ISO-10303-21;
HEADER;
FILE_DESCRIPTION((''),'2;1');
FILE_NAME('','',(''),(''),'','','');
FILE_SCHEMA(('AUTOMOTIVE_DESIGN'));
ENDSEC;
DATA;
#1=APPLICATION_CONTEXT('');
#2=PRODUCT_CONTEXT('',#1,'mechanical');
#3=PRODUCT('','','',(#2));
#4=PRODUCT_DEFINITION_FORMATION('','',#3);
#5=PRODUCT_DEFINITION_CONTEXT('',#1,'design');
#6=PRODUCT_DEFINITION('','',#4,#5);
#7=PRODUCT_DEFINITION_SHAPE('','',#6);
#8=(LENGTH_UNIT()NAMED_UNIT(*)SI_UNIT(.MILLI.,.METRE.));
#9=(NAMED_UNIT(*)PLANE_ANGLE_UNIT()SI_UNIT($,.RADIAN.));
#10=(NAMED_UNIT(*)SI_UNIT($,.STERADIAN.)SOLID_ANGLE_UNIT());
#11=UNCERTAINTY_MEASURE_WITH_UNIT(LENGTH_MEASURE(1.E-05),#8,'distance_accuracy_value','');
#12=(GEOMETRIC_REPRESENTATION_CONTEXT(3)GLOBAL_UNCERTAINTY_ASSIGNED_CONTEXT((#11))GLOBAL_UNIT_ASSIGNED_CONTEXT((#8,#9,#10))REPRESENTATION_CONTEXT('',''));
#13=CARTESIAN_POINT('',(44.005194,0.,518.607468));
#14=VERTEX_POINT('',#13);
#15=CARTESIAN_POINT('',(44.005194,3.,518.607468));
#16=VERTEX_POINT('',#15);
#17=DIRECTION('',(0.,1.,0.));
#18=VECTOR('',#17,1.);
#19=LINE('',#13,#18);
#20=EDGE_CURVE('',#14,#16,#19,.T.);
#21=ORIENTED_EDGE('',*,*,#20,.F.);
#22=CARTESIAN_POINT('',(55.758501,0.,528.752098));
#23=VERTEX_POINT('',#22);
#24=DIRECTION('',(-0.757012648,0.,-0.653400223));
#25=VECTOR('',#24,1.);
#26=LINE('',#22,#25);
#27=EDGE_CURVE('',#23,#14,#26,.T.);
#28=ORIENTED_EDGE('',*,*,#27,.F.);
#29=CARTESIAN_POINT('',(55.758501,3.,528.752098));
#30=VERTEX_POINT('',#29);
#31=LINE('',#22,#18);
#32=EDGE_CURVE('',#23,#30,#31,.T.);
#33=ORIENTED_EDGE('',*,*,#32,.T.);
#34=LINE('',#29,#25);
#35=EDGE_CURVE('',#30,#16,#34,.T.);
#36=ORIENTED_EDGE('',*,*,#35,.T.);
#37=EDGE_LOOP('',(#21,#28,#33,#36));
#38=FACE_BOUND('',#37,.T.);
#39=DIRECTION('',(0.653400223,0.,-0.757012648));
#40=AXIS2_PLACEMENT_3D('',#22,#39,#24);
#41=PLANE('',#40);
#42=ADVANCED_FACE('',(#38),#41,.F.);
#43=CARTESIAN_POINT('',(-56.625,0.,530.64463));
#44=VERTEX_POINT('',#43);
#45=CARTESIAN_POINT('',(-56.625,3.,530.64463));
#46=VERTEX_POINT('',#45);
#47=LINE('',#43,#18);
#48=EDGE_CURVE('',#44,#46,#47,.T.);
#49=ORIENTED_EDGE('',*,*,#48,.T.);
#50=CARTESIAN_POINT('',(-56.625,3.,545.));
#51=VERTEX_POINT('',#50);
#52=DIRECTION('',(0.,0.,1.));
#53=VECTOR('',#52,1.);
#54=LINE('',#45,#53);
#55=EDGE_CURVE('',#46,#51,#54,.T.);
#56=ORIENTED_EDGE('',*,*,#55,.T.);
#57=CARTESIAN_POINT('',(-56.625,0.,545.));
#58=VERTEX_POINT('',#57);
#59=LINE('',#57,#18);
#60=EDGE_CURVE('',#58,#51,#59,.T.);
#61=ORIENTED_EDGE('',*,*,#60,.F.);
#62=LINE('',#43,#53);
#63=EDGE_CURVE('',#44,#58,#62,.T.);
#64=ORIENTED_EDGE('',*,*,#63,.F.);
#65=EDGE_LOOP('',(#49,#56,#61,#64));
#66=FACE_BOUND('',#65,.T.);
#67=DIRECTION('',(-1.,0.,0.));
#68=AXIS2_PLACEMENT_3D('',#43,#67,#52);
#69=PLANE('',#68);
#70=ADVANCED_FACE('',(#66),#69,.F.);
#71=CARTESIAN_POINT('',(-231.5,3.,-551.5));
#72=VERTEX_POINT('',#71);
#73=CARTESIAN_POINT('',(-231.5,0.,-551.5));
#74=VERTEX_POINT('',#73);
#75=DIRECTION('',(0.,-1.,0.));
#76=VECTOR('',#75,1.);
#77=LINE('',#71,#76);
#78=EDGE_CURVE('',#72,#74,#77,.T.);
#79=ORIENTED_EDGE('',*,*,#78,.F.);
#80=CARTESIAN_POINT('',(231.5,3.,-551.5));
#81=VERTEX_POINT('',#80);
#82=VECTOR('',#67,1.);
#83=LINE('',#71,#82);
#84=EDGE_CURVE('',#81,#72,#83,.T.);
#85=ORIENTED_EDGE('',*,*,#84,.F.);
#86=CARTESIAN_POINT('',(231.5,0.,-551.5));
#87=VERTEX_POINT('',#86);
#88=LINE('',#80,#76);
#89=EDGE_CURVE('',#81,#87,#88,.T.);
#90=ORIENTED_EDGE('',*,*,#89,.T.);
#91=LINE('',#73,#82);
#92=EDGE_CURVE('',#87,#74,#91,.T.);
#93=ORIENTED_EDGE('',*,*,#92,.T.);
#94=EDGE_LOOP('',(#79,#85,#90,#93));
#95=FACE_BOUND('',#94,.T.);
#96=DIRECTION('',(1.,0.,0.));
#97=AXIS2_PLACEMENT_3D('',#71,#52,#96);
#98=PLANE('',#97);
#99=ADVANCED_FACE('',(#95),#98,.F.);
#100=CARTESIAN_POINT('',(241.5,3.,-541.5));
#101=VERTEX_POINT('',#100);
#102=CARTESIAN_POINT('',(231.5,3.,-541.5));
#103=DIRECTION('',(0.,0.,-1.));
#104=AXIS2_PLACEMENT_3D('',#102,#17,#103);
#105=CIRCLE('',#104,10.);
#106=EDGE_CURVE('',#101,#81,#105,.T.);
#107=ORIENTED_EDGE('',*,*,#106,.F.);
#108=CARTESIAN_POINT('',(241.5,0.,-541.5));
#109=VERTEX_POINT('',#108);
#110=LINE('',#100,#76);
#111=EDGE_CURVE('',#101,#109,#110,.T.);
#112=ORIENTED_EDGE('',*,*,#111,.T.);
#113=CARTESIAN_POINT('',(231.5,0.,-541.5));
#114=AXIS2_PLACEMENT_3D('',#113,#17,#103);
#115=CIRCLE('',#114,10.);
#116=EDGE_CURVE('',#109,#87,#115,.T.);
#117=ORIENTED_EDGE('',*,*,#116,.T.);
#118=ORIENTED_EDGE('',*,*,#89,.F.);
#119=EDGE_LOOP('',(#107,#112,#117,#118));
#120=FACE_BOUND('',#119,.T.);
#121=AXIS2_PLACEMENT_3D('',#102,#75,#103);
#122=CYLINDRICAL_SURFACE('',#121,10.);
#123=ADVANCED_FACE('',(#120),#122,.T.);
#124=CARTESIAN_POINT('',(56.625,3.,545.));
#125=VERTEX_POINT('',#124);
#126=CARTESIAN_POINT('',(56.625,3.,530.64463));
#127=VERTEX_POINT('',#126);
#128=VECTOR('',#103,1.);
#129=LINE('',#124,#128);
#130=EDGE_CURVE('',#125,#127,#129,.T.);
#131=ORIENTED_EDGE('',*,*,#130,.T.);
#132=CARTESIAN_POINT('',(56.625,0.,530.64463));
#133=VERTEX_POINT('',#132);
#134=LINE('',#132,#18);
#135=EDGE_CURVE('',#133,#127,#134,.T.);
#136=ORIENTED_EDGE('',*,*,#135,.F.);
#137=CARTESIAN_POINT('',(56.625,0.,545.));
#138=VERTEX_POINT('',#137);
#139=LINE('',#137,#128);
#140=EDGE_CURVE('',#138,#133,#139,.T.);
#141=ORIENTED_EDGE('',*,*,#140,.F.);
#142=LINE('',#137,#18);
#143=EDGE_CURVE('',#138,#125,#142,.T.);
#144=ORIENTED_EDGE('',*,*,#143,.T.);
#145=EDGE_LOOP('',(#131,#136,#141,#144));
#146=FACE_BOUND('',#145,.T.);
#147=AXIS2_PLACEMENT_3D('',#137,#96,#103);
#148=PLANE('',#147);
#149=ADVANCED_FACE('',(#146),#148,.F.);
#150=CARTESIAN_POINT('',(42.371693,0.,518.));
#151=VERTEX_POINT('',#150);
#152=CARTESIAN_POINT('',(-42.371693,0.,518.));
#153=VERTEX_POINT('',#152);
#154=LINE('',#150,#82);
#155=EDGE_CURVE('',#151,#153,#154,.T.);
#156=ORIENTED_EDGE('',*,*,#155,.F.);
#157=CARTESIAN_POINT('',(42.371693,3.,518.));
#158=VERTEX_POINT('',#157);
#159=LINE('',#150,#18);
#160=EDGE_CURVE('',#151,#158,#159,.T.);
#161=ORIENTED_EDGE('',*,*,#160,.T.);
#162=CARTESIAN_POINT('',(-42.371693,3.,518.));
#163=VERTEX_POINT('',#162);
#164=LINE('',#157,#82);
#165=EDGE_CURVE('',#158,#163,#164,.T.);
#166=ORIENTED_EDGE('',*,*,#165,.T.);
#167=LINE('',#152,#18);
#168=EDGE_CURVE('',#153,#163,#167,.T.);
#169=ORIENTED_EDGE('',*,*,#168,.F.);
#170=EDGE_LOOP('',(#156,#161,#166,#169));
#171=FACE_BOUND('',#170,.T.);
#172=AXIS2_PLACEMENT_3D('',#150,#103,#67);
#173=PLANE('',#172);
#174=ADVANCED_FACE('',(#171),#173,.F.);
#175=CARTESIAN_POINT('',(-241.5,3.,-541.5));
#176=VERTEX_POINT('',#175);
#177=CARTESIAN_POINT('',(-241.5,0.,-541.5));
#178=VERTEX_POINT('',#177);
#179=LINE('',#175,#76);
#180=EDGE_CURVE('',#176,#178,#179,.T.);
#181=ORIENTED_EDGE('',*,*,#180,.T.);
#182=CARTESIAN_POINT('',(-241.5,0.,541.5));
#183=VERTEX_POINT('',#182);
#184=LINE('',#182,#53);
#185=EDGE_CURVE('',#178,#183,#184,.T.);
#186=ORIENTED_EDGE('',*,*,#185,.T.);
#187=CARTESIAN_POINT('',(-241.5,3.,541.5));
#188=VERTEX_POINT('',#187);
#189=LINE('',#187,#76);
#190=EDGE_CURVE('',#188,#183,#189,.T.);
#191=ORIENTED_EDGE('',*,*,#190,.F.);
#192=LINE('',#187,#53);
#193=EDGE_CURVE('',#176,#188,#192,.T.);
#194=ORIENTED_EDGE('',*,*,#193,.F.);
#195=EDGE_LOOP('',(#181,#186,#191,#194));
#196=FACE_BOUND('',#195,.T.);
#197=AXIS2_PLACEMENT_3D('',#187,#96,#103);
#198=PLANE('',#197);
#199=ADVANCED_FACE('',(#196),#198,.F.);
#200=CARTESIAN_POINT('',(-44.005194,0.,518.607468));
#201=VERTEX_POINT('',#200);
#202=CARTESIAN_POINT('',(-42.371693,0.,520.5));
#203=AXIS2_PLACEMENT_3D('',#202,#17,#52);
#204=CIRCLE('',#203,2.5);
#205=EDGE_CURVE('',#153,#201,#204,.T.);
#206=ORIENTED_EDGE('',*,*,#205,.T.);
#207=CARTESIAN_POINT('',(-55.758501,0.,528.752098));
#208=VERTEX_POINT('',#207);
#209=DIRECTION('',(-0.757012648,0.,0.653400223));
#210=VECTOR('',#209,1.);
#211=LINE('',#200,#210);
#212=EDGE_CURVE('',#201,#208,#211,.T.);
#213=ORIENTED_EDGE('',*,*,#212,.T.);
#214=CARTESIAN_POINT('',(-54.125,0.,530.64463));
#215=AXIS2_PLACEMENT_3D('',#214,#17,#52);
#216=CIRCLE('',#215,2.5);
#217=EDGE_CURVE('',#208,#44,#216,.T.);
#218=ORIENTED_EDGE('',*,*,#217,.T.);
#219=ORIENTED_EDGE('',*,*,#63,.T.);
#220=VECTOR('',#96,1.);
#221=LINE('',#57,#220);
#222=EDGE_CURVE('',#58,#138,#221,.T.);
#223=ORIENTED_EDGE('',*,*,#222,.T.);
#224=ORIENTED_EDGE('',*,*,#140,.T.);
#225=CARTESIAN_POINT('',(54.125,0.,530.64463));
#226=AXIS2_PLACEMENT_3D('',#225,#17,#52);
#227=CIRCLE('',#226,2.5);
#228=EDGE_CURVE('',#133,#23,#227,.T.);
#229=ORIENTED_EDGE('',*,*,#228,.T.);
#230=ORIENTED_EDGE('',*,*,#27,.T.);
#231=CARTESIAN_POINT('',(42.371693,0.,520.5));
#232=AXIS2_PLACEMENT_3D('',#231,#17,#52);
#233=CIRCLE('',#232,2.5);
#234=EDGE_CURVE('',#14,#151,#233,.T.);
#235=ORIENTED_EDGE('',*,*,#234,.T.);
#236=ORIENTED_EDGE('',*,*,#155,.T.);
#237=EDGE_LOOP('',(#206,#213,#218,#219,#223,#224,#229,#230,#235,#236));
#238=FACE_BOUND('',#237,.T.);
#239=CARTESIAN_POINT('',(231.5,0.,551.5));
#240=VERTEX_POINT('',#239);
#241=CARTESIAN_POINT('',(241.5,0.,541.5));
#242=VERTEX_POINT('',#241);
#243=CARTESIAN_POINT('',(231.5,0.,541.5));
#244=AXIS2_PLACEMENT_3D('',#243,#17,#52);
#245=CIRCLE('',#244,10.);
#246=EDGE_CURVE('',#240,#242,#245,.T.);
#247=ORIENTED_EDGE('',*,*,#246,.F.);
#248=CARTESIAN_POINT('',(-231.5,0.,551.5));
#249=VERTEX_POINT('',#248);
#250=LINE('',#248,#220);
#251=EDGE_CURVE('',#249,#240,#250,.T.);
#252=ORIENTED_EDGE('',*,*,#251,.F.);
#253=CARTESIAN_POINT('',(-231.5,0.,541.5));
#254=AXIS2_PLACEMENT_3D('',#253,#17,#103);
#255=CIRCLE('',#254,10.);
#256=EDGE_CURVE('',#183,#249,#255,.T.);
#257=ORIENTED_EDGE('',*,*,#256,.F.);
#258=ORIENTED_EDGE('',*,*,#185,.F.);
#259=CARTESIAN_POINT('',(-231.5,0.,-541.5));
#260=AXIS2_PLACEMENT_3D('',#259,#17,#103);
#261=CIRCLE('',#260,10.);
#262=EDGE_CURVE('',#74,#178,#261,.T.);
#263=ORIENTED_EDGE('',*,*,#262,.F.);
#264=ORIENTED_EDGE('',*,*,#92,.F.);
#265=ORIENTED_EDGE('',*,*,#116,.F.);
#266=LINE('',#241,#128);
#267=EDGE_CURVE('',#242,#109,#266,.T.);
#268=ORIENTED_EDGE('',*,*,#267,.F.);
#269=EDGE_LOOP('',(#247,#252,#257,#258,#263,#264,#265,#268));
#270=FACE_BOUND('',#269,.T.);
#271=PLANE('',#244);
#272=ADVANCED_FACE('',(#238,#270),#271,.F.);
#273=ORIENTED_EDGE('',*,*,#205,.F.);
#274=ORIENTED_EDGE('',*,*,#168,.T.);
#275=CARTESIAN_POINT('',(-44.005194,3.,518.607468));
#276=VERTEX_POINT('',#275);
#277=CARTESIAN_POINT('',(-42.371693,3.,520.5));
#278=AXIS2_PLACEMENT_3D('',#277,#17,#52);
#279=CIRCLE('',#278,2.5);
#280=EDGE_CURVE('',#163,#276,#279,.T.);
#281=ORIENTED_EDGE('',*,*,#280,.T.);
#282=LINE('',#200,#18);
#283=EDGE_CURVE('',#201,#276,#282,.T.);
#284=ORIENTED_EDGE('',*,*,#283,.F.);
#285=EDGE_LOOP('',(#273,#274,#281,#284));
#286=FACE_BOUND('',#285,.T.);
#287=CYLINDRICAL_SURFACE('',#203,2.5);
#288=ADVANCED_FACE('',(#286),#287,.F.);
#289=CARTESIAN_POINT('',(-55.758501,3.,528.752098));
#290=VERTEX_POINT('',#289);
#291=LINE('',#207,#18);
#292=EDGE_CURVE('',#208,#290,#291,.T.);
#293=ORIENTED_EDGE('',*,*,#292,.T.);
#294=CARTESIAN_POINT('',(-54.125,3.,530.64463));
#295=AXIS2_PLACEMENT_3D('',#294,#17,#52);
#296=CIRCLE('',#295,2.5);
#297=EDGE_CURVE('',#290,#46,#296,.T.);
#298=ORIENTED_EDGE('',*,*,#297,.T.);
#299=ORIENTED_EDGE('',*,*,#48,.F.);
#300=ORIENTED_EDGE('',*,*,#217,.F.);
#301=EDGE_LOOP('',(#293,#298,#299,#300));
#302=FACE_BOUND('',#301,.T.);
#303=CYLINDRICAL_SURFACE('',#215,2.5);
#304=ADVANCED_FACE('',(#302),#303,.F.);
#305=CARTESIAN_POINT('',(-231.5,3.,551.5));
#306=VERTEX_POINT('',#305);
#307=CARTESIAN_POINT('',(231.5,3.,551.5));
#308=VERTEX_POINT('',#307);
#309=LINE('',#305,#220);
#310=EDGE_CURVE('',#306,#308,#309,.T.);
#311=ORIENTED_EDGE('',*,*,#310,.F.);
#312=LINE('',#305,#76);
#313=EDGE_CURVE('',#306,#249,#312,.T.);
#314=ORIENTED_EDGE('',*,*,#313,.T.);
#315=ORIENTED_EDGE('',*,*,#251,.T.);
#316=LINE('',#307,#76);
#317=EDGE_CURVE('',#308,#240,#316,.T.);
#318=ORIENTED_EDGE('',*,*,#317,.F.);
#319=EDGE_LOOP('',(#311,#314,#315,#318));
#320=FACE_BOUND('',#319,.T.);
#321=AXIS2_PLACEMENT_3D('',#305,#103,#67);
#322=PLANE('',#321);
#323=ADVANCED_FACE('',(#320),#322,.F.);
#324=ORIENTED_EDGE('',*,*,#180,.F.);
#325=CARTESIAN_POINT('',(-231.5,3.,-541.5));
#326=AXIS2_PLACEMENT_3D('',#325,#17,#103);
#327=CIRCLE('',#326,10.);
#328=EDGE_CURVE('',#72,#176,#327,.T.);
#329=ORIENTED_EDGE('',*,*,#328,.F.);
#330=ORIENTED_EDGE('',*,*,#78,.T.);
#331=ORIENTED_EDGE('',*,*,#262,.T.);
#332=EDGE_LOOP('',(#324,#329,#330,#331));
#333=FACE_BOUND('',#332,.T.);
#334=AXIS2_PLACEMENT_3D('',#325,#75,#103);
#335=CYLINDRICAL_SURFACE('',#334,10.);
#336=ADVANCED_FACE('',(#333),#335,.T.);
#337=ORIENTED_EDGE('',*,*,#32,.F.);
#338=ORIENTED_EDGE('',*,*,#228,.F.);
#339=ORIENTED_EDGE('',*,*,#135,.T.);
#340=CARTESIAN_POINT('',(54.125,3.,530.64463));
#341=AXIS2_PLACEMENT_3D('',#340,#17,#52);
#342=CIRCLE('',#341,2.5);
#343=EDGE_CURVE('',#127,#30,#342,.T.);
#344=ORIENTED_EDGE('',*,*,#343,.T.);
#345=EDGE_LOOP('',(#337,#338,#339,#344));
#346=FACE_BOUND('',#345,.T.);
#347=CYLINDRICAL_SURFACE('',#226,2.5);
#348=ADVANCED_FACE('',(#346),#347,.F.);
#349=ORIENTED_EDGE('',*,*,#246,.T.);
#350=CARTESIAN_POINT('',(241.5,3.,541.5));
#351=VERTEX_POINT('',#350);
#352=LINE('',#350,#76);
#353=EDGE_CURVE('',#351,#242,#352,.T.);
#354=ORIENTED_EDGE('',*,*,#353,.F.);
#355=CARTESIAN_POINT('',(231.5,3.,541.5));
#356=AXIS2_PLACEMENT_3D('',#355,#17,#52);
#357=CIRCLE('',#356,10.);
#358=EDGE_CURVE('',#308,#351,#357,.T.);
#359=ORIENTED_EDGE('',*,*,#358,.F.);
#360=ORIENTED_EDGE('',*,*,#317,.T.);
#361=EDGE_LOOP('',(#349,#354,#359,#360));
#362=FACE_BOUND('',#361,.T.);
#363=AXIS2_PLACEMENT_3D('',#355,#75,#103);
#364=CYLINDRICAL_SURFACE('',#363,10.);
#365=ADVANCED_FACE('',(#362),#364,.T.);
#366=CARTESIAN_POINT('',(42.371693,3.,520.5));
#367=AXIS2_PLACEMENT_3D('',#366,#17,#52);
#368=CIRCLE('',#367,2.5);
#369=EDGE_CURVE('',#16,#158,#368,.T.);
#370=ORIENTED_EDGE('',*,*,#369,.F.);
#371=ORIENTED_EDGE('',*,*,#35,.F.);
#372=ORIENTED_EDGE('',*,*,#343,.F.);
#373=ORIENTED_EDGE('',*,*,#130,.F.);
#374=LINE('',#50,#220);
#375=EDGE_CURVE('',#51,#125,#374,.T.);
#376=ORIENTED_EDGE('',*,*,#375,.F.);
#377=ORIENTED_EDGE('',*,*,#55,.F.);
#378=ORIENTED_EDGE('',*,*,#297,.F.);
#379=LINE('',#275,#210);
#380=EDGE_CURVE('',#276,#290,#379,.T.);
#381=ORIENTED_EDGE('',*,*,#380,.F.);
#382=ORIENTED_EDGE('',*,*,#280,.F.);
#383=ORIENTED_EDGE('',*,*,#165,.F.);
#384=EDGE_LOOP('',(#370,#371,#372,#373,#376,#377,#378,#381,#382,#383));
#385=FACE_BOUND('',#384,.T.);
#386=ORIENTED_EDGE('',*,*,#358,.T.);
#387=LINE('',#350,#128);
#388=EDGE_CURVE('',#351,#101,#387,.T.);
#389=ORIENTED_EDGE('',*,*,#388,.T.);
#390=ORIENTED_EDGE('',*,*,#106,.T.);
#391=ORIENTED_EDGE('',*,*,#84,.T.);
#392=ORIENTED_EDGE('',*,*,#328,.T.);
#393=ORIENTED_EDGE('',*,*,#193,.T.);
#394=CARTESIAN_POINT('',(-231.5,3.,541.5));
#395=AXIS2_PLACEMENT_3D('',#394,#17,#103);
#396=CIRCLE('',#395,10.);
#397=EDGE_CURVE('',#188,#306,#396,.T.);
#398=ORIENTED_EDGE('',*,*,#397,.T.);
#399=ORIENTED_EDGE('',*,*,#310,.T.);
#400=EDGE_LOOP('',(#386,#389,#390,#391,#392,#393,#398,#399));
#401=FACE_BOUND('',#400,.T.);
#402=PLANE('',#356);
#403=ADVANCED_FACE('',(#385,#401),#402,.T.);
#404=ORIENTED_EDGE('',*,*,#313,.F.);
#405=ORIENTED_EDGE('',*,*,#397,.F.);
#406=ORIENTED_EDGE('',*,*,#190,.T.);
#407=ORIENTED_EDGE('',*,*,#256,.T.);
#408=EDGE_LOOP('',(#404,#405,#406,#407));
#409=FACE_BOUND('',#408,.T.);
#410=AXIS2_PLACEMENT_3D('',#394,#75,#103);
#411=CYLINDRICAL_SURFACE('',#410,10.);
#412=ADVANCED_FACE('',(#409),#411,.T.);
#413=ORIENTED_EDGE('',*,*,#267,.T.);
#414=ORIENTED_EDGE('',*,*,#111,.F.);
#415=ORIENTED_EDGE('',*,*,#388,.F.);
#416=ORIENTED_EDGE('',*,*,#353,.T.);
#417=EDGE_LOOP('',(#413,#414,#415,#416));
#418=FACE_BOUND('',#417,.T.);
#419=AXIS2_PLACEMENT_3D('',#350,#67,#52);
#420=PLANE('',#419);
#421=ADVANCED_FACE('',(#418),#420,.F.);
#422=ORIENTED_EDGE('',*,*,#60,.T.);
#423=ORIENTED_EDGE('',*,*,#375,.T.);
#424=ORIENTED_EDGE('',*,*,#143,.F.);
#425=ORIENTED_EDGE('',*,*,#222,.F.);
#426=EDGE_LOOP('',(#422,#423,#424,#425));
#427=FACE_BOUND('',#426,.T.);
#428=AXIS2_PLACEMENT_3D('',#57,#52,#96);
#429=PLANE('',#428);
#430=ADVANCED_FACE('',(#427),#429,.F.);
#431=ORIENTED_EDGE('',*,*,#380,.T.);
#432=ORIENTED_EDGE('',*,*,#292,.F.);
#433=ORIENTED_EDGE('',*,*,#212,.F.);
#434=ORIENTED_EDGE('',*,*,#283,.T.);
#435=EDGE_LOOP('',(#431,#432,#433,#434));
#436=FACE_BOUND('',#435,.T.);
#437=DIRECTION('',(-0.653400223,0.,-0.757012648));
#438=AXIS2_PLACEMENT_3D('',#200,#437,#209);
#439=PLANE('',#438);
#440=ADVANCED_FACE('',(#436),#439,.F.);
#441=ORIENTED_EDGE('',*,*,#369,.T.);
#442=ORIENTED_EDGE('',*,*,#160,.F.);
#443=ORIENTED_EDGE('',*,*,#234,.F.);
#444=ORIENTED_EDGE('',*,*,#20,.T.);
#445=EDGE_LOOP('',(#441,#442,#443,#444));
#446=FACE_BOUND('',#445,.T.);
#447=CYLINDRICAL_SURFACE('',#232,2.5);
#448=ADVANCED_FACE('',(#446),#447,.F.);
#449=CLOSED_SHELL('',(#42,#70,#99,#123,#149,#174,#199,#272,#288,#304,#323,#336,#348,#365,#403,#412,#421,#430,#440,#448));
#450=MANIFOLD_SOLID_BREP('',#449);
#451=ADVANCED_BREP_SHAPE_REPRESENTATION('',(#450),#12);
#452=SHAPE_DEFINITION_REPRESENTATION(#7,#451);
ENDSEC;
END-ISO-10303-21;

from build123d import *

# Parameters (mm, degrees)
BOSS_EXTRUDE1_DEPTH = 3
CUT_EXTRUDE1_DEPTH  = 4


with BuildPart() as part:
    # Sketch1 → Boss-Extrude1 (new body)
    with BuildSketch(Plane(origin=(0, 0, 0), x_dir=(1, 0, 0), z_dir=(0, 1, 0))):
        with BuildLine():
            Line((-231.5, -551.5), (231.5, -551.5))
            ThreePointArc((231.5, -551.5), (238.571067812, -548.571067812), (241.5, -541.5))
            Line((241.5, -541.5), (241.5, 541.5))
            ThreePointArc((241.5, 541.5), (238.571067812, 548.571067812), (231.5, 551.5))
            Line((231.5, 551.5), (-231.5, 551.5))
            ThreePointArc((-231.5, 551.5), (-238.571067812, 548.571067812), (-241.5, 541.5))
            Line((-241.5, 541.5), (-241.5, -541.5))
            ThreePointArc((-241.5, -541.5), (-238.571067812, -548.571067812), (-231.5, -551.5))
        make_face()
    extrude(amount=BOSS_EXTRUDE1_DEPTH)

    # Sketch2 → Cut-Extrude1 (cut, through all)
    with BuildSketch(Plane(origin=(0, 3, 0), x_dir=(1, 0, 0), z_dir=(0, 1, 0))):
        with BuildLine():
            Line((-56.625, -545), (56.625, -545))
            Line((56.625, -545), (56.625, -530.644630074))
            ThreePointArc((56.625, -530.644630074), (56.398076263, -529.603897494), (55.758500558, -528.752098455))
            Line((55.758500558, -528.752098455), (44.005193779, -518.607468381))
            ThreePointArc((44.005193779, -518.607468381), (43.243091796, -518.156783296), (42.371693222, -518))
            Line((42.371693222, -518), (-42.371693222, -518))
            ThreePointArc((-42.371693222, -518), (-43.243091796, -518.156783296), (-44.005193779, -518.607468381))
            Line((-44.005193779, -518.607468381), (-55.758500558, -528.752098455))
            ThreePointArc((-55.758500558, -528.752098455), (-56.398076263, -529.603897494), (-56.625, -530.644630074))
            Line((-56.625, -530.644630074), (-56.625, -545))
        make_face()
    extrude(amount=-CUT_EXTRUDE1_DEPTH, mode=Mode.SUBTRACT)


solid = part.part
